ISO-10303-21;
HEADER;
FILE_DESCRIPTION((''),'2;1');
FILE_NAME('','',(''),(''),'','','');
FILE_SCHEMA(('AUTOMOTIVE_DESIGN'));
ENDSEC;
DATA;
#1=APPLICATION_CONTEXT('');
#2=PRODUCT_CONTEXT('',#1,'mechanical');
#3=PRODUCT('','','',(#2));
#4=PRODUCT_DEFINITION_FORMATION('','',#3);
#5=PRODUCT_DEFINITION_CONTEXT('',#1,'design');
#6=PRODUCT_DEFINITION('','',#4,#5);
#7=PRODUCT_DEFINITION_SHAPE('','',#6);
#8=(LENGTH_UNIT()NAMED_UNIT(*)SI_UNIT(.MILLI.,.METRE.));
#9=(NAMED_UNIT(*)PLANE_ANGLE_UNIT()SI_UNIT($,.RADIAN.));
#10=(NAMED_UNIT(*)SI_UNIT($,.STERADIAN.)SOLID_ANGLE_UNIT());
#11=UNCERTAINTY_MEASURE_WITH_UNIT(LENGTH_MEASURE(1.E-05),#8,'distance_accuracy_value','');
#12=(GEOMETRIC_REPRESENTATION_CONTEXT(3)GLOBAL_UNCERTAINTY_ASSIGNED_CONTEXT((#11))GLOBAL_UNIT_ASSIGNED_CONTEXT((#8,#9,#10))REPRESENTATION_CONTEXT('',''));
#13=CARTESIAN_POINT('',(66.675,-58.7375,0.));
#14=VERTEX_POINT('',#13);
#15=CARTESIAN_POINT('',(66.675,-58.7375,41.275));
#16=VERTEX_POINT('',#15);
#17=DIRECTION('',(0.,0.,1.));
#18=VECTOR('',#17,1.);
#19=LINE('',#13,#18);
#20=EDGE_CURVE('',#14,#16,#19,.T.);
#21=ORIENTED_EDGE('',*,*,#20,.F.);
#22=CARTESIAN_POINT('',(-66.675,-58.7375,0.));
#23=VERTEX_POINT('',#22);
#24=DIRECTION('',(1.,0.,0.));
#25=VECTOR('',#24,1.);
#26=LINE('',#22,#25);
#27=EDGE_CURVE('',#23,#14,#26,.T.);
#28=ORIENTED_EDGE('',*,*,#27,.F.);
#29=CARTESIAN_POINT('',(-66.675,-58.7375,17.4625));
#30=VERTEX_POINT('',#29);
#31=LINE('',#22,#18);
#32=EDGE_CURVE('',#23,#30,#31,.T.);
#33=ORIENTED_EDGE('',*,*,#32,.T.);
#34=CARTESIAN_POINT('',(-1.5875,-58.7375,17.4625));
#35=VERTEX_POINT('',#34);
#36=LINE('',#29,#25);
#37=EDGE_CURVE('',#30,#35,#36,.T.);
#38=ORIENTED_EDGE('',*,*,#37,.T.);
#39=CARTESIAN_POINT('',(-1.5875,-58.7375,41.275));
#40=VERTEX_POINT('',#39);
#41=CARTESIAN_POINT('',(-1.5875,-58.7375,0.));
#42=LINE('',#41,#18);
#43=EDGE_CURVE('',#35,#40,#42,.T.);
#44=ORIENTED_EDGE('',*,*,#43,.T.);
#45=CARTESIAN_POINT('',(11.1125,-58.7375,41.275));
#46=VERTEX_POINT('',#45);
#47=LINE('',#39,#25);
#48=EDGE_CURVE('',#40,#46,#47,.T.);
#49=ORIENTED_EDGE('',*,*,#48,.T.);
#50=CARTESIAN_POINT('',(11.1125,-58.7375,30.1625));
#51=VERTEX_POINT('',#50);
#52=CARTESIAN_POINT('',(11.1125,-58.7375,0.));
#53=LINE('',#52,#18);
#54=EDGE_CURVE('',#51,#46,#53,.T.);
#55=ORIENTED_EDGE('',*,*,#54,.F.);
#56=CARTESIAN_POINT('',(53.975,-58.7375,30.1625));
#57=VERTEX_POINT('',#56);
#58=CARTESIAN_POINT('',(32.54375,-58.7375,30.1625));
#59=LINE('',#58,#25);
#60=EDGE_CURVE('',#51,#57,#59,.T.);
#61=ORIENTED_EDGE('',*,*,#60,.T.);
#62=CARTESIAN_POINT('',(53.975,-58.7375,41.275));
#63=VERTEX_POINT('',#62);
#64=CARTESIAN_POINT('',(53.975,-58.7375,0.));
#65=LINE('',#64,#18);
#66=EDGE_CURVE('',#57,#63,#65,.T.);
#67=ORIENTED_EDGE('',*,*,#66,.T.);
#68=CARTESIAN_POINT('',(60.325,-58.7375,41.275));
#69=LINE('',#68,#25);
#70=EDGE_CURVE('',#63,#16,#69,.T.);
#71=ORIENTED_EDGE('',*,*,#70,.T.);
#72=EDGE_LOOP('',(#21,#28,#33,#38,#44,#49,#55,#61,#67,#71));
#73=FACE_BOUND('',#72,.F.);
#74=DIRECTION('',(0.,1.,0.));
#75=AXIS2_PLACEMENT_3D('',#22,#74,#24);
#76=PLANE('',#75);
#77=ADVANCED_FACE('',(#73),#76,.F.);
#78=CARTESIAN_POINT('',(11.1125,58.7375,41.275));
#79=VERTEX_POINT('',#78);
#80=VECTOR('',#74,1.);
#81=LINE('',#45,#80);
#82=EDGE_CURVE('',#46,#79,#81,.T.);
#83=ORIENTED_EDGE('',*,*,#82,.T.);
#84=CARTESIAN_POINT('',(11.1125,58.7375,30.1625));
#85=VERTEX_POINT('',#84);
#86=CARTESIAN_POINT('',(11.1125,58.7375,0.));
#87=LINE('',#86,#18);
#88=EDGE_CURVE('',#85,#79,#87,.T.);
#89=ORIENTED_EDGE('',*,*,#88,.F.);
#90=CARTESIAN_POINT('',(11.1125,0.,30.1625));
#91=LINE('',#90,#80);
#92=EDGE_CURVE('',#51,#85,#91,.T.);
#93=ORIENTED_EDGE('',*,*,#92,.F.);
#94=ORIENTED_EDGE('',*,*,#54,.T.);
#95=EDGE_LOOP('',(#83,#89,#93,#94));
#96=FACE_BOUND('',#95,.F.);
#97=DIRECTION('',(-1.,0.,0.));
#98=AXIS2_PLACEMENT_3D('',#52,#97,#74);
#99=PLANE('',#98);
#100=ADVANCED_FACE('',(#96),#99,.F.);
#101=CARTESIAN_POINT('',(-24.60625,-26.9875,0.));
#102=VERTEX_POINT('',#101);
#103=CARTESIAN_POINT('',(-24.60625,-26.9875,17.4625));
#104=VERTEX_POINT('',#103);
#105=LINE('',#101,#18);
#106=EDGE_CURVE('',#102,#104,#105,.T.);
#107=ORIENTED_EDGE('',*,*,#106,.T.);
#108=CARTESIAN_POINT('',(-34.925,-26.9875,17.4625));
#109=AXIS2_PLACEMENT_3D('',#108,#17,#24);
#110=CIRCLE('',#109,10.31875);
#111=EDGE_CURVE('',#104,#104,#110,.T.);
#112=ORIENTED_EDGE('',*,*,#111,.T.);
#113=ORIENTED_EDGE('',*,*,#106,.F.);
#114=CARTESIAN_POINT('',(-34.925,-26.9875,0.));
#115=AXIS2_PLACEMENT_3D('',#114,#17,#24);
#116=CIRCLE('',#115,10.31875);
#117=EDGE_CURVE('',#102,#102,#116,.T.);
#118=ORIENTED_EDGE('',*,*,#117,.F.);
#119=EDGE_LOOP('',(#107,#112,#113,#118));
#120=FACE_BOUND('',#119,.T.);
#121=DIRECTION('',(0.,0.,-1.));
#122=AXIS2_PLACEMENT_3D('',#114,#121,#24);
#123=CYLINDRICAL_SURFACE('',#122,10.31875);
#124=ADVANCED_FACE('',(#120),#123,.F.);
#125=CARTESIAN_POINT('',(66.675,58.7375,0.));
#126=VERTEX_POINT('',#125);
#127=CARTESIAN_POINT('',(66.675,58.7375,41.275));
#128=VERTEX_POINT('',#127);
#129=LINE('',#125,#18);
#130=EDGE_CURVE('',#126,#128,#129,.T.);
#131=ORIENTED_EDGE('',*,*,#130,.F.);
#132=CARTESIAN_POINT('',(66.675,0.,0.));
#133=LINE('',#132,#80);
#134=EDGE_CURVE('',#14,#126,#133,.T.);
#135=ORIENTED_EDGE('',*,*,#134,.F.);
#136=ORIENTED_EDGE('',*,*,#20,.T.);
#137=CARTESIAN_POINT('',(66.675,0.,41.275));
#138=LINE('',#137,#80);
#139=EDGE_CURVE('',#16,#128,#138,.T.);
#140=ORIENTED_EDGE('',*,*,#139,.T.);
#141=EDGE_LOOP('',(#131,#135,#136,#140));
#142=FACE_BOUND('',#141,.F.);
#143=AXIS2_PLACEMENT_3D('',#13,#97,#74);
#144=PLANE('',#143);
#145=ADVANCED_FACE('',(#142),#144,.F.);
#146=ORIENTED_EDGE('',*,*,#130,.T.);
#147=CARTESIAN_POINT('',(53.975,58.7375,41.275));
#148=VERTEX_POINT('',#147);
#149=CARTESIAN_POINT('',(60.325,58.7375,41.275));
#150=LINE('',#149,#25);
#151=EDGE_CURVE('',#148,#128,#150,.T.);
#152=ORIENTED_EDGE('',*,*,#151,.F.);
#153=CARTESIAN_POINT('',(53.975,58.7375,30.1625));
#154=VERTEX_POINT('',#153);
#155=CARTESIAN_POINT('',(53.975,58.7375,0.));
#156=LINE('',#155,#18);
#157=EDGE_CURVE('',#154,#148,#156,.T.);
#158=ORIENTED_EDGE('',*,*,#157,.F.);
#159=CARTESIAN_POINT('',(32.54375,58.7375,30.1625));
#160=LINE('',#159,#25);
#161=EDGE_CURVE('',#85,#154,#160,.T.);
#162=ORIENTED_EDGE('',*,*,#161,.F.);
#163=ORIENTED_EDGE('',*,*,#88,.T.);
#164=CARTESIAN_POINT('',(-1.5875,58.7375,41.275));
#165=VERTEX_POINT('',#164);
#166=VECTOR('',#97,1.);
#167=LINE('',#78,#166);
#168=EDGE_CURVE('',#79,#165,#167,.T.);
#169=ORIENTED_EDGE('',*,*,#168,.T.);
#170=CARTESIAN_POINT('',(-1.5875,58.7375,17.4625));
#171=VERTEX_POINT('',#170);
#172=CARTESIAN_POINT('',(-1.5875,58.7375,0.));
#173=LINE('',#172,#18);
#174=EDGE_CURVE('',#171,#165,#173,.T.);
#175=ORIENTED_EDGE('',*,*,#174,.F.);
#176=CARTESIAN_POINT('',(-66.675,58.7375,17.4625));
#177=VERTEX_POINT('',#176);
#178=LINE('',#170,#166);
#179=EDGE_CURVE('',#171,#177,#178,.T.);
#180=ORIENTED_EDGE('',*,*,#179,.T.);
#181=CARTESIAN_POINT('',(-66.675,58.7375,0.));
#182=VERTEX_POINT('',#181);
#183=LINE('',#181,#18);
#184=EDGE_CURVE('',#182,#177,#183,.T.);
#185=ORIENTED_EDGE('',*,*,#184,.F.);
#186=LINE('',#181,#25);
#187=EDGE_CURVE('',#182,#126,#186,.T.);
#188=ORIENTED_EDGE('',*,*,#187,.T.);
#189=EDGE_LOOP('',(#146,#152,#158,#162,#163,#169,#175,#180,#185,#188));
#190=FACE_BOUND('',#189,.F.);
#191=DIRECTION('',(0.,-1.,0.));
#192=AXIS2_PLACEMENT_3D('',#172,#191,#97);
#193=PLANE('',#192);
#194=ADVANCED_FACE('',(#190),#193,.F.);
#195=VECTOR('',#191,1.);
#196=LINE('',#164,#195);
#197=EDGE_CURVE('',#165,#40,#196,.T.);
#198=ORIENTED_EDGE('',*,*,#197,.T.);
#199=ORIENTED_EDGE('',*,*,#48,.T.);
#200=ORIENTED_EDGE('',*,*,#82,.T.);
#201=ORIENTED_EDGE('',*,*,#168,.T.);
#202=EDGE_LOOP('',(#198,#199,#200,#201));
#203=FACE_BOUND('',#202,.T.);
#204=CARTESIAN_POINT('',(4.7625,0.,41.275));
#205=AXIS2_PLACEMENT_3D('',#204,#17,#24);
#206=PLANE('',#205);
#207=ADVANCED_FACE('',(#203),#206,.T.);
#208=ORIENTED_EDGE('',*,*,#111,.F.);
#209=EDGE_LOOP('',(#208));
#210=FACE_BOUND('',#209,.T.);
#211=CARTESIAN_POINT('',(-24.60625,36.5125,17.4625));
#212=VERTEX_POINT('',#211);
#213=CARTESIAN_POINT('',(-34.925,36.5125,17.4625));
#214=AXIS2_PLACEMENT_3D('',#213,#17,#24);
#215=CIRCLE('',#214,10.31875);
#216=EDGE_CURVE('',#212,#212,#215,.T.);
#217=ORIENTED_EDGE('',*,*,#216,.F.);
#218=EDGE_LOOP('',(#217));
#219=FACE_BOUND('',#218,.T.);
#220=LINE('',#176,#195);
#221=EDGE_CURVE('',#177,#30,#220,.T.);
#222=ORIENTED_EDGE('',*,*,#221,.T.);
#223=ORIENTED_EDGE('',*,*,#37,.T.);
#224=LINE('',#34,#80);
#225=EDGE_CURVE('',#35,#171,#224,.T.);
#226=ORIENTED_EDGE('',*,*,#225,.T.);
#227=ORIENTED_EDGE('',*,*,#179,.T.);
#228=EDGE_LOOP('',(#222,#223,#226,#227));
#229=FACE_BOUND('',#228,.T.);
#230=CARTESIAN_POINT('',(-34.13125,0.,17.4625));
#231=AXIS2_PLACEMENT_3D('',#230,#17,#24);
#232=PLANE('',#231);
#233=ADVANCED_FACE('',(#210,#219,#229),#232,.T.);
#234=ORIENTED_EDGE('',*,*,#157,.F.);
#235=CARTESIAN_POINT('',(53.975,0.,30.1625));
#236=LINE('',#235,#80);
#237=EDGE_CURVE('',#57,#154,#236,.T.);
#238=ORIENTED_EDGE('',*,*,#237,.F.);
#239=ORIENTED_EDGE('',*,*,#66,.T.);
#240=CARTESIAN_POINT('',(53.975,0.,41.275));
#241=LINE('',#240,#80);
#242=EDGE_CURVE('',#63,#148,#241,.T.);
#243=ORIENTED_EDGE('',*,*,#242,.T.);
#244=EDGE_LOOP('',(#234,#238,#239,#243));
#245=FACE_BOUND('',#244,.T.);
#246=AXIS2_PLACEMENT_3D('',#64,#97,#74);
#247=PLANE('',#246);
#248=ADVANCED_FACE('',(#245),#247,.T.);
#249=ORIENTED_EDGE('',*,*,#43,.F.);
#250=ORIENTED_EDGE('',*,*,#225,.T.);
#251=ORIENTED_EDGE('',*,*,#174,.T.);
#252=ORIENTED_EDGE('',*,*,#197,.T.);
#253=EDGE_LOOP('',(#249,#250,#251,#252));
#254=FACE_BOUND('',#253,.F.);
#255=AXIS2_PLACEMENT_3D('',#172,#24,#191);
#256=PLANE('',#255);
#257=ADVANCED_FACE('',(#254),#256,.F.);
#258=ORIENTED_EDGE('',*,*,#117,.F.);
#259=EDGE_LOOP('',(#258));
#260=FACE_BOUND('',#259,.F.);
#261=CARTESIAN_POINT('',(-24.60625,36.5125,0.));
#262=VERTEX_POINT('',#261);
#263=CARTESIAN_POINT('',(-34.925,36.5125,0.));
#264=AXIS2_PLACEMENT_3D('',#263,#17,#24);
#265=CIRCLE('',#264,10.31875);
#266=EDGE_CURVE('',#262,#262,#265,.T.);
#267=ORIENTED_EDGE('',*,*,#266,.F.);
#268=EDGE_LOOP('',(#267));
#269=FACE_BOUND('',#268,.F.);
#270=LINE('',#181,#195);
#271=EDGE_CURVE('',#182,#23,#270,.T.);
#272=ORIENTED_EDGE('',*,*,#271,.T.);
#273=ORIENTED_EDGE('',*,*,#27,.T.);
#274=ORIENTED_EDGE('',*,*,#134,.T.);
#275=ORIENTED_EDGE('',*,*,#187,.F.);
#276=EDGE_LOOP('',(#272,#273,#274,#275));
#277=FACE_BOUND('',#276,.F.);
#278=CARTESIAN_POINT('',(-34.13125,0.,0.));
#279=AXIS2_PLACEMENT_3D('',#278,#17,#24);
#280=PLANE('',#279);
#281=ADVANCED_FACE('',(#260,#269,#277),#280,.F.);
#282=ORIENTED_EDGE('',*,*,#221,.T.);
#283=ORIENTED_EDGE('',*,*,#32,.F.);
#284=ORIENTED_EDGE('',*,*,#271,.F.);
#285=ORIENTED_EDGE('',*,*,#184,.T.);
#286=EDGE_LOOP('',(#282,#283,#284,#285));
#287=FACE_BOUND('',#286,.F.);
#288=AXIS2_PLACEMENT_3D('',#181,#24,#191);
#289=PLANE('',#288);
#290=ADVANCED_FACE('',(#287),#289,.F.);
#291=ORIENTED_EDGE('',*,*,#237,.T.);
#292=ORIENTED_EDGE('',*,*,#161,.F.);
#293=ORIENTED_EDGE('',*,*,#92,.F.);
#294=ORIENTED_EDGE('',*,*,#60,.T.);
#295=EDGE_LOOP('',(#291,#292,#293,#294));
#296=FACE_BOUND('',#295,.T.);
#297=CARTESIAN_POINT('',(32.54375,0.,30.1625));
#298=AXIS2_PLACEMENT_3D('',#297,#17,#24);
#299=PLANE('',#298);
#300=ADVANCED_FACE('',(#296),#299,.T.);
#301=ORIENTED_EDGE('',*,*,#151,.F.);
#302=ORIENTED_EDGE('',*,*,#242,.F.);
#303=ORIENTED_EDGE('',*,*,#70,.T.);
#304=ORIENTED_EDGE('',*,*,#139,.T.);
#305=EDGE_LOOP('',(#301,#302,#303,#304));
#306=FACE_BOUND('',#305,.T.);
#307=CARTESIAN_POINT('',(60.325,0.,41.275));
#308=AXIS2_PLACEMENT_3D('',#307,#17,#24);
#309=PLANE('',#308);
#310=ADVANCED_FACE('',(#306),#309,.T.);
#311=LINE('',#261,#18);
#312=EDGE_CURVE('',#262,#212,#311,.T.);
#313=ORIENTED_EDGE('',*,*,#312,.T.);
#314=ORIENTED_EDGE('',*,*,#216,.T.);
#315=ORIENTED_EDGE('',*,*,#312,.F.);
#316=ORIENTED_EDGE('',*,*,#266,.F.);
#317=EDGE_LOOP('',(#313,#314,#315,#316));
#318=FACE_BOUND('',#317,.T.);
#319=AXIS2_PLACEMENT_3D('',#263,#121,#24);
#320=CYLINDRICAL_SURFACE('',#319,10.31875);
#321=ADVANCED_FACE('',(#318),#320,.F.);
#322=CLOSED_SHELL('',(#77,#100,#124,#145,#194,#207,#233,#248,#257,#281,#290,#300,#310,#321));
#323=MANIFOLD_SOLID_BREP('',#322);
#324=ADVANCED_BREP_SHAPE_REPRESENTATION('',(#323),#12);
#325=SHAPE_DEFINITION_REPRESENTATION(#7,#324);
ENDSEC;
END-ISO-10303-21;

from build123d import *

# Parameters (mm, degrees)
F1_DEPTH = 41.275
F0_W     = 42.8625
F0_H     = 117.475
F2_DEPTH = 30.1625
F0_W_2   = 12.7
F3_DEPTH = 41.275
F0_R     = 10.31875
F4_DEPTH = 17.4625


with BuildPart() as f1:
    # F0 (on Top) → F1 (new body)
    with BuildSketch(Plane.XY):
        Polygon((-1.5875, -58.7375), (11.1125, -58.7375), (11.1125, 58.7375), (-1.5875, 58.7375), (-1.5875, 4.7625), align=None)
    extrude(amount=F1_DEPTH)

    # F0 (on Top) → F2 (join)
    with BuildSketch(Plane.XY):
        with Locations((32.54375, 0)):
            Rectangle(F0_W, F0_H)
    extrude(amount=F2_DEPTH)

    # F0 (on Top) → F3 (join)
    with BuildSketch(Plane.XY):
        with Locations((60.325, 0)):
            Rectangle(F0_W_2, F0_H)
    extrude(amount=F3_DEPTH)

    # F0 (on Top) → F4 (join)
    with BuildSketch(Plane.XY):
        Polygon((-66.675, -58.7375), (-1.5875, -58.7375), (-1.5875, 4.7625), (-1.5875, 58.7375), (-66.675, 58.7375), align=None)
        with Locations((-34.925, -26.9875)):
            Circle(F0_R, mode=Mode.SUBTRACT)
        with Locations((-34.925, 36.5125)):
            Circle(F0_R, mode=Mode.SUBTRACT)
    extrude(amount=F4_DEPTH)


solid = f1.part
